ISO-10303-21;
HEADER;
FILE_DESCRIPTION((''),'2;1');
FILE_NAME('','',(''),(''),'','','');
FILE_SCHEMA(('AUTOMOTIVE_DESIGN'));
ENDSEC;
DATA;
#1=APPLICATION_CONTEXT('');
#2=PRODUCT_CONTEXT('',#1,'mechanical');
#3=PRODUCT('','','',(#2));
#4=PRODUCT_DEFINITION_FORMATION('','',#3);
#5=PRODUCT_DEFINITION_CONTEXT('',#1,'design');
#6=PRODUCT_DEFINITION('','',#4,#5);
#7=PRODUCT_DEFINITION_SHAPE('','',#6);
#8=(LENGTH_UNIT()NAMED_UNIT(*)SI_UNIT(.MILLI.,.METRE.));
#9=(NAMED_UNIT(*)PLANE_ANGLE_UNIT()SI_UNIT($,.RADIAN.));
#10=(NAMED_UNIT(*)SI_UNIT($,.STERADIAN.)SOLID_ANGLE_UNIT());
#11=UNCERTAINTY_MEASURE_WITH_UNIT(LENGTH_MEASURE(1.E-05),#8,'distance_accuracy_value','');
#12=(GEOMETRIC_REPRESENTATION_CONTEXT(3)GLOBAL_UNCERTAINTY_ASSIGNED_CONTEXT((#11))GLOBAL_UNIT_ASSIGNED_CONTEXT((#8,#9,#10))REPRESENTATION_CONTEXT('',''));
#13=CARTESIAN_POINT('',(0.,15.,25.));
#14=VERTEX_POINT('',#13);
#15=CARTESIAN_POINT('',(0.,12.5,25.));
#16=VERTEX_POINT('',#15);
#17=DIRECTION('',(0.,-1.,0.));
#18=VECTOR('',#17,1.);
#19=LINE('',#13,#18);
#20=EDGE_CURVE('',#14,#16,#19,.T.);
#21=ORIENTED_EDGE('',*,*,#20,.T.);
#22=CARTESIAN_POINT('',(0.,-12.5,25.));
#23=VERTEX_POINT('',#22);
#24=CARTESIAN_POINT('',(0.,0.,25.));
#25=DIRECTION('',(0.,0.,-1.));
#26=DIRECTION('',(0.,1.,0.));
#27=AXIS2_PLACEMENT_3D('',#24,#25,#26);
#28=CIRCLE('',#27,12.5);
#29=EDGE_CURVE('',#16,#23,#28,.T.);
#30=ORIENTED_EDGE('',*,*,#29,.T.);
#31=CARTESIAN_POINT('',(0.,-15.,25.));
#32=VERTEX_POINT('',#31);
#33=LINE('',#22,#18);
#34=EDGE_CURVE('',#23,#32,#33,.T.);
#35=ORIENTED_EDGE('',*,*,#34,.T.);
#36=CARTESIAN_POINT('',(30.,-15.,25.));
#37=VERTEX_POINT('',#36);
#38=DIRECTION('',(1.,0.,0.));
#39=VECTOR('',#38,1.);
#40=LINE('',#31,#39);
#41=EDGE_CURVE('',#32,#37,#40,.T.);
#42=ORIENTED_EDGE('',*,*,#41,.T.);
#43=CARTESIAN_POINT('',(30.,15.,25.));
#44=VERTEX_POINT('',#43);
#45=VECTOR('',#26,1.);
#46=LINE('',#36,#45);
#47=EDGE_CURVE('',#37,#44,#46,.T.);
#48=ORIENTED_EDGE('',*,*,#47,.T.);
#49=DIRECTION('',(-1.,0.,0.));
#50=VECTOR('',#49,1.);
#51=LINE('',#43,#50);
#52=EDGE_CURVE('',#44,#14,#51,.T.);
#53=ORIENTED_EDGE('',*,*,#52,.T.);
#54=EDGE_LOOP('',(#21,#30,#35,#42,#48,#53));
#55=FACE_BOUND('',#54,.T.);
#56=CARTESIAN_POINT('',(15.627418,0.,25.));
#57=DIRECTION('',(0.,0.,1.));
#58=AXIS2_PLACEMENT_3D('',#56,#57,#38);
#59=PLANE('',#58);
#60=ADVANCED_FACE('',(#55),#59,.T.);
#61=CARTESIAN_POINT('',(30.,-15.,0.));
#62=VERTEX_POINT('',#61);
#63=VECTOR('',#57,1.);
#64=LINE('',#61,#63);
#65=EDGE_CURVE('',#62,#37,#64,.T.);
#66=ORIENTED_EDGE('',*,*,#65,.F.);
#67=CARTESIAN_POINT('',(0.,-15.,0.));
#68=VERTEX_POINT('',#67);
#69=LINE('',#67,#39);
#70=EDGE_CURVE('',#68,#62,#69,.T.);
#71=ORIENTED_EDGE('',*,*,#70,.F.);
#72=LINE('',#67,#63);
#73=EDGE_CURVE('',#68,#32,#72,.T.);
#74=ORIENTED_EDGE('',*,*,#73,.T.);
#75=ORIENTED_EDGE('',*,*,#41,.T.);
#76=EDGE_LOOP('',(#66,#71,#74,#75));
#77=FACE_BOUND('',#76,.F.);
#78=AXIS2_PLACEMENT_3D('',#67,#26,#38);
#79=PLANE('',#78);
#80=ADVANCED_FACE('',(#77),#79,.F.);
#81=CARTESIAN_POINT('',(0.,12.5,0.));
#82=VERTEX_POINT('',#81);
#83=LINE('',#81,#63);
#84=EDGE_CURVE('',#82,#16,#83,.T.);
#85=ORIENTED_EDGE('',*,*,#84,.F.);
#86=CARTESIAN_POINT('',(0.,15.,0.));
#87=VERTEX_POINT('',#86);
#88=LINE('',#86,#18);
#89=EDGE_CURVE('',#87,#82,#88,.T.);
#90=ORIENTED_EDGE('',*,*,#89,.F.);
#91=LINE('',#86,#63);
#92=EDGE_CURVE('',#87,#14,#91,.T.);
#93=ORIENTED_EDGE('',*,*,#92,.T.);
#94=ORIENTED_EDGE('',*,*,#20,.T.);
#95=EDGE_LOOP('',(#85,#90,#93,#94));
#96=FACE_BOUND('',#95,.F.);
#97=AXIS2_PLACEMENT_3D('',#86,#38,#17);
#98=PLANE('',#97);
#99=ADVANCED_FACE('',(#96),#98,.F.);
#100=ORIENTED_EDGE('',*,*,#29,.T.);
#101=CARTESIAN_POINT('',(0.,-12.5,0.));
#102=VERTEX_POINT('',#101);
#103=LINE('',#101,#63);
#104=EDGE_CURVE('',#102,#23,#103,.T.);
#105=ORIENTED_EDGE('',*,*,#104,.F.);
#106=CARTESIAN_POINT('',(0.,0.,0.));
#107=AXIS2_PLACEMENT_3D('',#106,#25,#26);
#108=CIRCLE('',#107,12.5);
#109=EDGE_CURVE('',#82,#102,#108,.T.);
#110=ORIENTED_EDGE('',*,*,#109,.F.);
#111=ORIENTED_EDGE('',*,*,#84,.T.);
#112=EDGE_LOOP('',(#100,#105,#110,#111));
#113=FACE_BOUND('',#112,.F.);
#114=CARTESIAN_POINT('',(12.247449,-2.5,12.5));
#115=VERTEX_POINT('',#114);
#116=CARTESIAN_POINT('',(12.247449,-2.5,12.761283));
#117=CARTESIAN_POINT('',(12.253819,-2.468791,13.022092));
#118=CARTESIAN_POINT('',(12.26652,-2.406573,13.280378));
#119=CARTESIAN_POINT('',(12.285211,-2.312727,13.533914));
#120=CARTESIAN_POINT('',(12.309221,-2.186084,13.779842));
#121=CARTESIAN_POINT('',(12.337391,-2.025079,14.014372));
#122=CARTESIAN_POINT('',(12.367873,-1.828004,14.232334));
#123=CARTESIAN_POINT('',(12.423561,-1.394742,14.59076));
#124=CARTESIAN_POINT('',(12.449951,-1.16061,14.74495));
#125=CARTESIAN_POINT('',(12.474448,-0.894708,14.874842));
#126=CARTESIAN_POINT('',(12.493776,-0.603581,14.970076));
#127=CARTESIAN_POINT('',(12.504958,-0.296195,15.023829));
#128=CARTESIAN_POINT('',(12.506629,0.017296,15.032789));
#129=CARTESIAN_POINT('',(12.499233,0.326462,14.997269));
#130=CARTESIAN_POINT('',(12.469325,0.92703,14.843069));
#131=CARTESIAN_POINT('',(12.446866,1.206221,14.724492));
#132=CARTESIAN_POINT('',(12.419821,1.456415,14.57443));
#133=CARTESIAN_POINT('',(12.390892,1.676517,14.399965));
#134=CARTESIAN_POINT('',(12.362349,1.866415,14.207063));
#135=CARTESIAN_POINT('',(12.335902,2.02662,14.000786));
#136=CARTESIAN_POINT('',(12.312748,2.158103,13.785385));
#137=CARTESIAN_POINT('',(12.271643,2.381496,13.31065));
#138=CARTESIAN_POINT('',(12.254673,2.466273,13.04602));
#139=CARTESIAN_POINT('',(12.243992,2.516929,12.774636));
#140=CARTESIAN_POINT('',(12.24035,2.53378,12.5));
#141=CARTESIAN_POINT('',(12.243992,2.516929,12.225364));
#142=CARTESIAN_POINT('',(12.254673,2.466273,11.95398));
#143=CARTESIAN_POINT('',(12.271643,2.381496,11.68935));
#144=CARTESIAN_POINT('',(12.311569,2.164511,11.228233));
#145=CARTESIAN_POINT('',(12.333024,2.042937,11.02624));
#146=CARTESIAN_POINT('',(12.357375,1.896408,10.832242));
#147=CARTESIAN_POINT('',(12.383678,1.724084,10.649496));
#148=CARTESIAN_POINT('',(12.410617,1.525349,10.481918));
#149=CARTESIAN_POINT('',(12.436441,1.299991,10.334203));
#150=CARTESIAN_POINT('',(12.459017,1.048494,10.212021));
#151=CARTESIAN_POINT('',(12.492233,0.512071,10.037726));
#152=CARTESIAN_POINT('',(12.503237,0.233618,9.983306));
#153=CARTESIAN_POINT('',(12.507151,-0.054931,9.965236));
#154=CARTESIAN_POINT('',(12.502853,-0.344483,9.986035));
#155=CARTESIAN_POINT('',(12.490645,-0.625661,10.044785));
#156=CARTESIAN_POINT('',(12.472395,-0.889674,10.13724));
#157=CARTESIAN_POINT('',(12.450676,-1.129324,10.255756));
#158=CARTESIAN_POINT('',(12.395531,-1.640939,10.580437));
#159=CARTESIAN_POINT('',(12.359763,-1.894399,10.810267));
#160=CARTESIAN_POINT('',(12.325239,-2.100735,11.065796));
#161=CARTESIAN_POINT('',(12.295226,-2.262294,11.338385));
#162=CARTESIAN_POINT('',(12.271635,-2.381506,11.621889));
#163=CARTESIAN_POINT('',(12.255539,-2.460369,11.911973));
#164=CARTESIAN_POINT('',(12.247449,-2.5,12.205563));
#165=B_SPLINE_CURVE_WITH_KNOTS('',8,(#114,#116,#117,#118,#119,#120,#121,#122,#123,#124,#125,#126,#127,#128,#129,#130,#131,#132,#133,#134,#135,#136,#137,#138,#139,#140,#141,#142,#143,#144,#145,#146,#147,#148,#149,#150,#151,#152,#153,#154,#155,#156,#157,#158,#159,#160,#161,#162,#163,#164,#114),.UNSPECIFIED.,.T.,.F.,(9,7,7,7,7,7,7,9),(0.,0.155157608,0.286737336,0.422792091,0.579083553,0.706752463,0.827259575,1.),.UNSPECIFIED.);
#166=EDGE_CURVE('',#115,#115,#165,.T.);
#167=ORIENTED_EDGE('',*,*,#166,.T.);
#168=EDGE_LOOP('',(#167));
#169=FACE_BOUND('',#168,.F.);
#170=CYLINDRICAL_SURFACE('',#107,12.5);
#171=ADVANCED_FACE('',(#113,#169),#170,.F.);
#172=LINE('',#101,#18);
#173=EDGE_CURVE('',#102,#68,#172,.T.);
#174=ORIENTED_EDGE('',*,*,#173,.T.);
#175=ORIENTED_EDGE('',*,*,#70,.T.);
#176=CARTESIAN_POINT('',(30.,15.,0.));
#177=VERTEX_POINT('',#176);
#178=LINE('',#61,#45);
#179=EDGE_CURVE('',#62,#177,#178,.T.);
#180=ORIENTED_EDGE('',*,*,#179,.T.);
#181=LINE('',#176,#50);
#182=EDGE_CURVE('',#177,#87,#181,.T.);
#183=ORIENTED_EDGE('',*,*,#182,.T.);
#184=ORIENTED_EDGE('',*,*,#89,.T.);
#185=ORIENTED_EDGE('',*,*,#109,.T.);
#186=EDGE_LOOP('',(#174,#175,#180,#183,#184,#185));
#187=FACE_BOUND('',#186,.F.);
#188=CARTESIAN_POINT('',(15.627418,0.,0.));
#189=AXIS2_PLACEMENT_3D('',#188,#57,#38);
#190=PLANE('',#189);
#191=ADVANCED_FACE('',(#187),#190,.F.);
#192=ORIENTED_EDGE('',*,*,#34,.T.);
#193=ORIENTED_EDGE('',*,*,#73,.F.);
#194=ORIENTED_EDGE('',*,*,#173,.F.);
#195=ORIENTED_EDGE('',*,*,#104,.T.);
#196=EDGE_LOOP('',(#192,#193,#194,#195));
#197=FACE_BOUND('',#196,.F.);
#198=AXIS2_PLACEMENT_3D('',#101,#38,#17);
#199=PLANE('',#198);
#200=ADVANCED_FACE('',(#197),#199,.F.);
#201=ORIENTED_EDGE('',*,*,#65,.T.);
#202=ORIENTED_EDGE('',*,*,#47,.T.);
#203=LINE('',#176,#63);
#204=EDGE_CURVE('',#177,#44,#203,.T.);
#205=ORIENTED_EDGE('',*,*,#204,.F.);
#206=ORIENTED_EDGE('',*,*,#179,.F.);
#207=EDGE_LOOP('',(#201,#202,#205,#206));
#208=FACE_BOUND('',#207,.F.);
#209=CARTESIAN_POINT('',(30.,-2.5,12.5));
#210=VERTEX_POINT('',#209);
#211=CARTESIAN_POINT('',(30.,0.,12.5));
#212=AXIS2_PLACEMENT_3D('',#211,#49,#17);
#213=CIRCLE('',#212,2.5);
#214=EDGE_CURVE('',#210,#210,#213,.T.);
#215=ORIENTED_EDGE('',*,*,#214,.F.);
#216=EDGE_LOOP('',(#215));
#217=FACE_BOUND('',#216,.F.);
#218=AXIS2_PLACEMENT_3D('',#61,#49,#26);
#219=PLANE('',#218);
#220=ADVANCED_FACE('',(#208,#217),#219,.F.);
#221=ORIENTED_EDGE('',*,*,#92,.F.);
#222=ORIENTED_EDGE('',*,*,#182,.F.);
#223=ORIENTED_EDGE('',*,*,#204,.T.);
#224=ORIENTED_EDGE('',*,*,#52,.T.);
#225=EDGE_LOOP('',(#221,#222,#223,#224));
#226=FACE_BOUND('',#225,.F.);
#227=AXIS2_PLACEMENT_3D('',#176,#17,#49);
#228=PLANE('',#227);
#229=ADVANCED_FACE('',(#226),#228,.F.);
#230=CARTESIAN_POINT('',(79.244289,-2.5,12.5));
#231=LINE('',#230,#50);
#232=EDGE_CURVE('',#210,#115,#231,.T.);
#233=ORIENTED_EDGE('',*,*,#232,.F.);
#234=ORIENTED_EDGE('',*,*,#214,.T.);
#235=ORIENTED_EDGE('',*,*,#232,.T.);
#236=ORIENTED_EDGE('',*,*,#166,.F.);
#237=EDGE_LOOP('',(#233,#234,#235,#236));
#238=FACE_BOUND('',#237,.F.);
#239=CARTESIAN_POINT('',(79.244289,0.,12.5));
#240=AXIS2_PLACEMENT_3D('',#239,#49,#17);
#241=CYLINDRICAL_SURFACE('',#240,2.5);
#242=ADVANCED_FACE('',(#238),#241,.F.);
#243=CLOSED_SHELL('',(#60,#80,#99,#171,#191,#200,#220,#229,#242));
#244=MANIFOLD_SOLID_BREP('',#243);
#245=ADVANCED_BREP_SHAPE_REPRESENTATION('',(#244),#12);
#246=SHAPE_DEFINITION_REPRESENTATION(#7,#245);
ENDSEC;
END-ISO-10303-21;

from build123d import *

# Parameters (mm, degrees)
F1_DEPTH = 25
F3_D     = 5


with BuildPart() as f1:
    # F0 (on Top) → F1 (new body)
    with BuildSketch(Plane.XY):
        with BuildLine():
            ThreePointArc((0, 12.5), (12.5, 0), (0, -12.5))
            Line((0, -12.5), (0, -15))
            Line((0, -15), (30, -15))
            Line((30, -15), (30, 15))
            Line((30, 15), (0, 15))
            Line((0, 15), (0, 12.5))
        make_face()
    extrude(amount=F1_DEPTH)

    # F3 (through all)
    with Locations(Plane.YZ.offset(30)):
        with Locations((0, 12.5)):
            Hole(F3_D / 2)


solid = f1.part
